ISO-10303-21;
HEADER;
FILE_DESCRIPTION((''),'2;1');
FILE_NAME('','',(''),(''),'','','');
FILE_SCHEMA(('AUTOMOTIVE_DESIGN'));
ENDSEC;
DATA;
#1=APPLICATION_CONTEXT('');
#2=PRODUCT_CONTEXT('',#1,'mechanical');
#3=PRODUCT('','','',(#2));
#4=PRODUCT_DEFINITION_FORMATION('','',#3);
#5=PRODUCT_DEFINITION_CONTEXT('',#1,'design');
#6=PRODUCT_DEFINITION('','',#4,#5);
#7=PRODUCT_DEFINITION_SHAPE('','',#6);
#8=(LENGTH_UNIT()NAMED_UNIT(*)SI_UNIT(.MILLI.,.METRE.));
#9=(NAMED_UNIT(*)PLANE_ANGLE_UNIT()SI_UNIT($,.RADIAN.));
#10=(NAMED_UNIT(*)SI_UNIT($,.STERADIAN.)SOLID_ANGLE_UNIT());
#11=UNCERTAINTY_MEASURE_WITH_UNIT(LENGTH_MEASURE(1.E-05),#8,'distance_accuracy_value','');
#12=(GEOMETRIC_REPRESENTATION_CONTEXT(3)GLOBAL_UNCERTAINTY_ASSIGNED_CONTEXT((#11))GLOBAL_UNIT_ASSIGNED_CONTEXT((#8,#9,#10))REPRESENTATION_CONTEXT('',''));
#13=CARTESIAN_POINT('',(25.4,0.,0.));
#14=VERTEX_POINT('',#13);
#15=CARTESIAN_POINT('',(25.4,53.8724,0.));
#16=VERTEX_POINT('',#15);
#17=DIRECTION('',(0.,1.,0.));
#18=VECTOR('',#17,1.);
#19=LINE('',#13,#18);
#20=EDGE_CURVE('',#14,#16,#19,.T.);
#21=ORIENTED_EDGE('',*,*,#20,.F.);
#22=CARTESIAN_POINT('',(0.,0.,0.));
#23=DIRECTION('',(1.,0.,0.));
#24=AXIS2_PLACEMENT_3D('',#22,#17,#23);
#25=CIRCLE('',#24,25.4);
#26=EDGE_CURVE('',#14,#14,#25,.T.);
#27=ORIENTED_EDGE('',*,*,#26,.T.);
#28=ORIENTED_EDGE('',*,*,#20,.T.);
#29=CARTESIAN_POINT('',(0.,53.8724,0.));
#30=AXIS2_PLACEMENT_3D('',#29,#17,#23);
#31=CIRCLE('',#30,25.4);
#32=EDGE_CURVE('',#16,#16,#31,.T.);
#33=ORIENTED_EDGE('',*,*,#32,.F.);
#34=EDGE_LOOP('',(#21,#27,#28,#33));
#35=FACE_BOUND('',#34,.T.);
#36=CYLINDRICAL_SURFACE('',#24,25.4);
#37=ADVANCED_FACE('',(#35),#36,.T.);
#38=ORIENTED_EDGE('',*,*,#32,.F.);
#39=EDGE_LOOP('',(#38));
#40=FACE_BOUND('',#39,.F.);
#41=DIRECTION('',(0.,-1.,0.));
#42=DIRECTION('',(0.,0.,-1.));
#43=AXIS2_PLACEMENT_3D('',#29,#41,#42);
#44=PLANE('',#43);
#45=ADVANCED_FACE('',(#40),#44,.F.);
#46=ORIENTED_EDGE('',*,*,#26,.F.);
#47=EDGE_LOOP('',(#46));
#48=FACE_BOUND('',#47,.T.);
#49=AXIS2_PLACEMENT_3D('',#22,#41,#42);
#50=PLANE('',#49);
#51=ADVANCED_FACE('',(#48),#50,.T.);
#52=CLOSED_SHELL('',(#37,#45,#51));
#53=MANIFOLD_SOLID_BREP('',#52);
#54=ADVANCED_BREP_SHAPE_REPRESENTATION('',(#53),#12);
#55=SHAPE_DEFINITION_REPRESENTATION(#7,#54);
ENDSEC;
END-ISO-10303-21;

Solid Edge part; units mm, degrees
sketch "Sketch1" plane through (0, 0, 0) normal (1, 0, 0) x (0, 1, 0)
  line L0 (0, 0) -> (53.8724, 0)
sketch "Sketch2" plane through (0, 0, 0) normal (0, -1, 0) x (1, 0, 0)
  circle A0 centre (0, 0) radius 25.4
  dimension "D1" = 50.8
sweep "SweptProtrusion_1" add profiles "Sketch2" path "Sketch1"
